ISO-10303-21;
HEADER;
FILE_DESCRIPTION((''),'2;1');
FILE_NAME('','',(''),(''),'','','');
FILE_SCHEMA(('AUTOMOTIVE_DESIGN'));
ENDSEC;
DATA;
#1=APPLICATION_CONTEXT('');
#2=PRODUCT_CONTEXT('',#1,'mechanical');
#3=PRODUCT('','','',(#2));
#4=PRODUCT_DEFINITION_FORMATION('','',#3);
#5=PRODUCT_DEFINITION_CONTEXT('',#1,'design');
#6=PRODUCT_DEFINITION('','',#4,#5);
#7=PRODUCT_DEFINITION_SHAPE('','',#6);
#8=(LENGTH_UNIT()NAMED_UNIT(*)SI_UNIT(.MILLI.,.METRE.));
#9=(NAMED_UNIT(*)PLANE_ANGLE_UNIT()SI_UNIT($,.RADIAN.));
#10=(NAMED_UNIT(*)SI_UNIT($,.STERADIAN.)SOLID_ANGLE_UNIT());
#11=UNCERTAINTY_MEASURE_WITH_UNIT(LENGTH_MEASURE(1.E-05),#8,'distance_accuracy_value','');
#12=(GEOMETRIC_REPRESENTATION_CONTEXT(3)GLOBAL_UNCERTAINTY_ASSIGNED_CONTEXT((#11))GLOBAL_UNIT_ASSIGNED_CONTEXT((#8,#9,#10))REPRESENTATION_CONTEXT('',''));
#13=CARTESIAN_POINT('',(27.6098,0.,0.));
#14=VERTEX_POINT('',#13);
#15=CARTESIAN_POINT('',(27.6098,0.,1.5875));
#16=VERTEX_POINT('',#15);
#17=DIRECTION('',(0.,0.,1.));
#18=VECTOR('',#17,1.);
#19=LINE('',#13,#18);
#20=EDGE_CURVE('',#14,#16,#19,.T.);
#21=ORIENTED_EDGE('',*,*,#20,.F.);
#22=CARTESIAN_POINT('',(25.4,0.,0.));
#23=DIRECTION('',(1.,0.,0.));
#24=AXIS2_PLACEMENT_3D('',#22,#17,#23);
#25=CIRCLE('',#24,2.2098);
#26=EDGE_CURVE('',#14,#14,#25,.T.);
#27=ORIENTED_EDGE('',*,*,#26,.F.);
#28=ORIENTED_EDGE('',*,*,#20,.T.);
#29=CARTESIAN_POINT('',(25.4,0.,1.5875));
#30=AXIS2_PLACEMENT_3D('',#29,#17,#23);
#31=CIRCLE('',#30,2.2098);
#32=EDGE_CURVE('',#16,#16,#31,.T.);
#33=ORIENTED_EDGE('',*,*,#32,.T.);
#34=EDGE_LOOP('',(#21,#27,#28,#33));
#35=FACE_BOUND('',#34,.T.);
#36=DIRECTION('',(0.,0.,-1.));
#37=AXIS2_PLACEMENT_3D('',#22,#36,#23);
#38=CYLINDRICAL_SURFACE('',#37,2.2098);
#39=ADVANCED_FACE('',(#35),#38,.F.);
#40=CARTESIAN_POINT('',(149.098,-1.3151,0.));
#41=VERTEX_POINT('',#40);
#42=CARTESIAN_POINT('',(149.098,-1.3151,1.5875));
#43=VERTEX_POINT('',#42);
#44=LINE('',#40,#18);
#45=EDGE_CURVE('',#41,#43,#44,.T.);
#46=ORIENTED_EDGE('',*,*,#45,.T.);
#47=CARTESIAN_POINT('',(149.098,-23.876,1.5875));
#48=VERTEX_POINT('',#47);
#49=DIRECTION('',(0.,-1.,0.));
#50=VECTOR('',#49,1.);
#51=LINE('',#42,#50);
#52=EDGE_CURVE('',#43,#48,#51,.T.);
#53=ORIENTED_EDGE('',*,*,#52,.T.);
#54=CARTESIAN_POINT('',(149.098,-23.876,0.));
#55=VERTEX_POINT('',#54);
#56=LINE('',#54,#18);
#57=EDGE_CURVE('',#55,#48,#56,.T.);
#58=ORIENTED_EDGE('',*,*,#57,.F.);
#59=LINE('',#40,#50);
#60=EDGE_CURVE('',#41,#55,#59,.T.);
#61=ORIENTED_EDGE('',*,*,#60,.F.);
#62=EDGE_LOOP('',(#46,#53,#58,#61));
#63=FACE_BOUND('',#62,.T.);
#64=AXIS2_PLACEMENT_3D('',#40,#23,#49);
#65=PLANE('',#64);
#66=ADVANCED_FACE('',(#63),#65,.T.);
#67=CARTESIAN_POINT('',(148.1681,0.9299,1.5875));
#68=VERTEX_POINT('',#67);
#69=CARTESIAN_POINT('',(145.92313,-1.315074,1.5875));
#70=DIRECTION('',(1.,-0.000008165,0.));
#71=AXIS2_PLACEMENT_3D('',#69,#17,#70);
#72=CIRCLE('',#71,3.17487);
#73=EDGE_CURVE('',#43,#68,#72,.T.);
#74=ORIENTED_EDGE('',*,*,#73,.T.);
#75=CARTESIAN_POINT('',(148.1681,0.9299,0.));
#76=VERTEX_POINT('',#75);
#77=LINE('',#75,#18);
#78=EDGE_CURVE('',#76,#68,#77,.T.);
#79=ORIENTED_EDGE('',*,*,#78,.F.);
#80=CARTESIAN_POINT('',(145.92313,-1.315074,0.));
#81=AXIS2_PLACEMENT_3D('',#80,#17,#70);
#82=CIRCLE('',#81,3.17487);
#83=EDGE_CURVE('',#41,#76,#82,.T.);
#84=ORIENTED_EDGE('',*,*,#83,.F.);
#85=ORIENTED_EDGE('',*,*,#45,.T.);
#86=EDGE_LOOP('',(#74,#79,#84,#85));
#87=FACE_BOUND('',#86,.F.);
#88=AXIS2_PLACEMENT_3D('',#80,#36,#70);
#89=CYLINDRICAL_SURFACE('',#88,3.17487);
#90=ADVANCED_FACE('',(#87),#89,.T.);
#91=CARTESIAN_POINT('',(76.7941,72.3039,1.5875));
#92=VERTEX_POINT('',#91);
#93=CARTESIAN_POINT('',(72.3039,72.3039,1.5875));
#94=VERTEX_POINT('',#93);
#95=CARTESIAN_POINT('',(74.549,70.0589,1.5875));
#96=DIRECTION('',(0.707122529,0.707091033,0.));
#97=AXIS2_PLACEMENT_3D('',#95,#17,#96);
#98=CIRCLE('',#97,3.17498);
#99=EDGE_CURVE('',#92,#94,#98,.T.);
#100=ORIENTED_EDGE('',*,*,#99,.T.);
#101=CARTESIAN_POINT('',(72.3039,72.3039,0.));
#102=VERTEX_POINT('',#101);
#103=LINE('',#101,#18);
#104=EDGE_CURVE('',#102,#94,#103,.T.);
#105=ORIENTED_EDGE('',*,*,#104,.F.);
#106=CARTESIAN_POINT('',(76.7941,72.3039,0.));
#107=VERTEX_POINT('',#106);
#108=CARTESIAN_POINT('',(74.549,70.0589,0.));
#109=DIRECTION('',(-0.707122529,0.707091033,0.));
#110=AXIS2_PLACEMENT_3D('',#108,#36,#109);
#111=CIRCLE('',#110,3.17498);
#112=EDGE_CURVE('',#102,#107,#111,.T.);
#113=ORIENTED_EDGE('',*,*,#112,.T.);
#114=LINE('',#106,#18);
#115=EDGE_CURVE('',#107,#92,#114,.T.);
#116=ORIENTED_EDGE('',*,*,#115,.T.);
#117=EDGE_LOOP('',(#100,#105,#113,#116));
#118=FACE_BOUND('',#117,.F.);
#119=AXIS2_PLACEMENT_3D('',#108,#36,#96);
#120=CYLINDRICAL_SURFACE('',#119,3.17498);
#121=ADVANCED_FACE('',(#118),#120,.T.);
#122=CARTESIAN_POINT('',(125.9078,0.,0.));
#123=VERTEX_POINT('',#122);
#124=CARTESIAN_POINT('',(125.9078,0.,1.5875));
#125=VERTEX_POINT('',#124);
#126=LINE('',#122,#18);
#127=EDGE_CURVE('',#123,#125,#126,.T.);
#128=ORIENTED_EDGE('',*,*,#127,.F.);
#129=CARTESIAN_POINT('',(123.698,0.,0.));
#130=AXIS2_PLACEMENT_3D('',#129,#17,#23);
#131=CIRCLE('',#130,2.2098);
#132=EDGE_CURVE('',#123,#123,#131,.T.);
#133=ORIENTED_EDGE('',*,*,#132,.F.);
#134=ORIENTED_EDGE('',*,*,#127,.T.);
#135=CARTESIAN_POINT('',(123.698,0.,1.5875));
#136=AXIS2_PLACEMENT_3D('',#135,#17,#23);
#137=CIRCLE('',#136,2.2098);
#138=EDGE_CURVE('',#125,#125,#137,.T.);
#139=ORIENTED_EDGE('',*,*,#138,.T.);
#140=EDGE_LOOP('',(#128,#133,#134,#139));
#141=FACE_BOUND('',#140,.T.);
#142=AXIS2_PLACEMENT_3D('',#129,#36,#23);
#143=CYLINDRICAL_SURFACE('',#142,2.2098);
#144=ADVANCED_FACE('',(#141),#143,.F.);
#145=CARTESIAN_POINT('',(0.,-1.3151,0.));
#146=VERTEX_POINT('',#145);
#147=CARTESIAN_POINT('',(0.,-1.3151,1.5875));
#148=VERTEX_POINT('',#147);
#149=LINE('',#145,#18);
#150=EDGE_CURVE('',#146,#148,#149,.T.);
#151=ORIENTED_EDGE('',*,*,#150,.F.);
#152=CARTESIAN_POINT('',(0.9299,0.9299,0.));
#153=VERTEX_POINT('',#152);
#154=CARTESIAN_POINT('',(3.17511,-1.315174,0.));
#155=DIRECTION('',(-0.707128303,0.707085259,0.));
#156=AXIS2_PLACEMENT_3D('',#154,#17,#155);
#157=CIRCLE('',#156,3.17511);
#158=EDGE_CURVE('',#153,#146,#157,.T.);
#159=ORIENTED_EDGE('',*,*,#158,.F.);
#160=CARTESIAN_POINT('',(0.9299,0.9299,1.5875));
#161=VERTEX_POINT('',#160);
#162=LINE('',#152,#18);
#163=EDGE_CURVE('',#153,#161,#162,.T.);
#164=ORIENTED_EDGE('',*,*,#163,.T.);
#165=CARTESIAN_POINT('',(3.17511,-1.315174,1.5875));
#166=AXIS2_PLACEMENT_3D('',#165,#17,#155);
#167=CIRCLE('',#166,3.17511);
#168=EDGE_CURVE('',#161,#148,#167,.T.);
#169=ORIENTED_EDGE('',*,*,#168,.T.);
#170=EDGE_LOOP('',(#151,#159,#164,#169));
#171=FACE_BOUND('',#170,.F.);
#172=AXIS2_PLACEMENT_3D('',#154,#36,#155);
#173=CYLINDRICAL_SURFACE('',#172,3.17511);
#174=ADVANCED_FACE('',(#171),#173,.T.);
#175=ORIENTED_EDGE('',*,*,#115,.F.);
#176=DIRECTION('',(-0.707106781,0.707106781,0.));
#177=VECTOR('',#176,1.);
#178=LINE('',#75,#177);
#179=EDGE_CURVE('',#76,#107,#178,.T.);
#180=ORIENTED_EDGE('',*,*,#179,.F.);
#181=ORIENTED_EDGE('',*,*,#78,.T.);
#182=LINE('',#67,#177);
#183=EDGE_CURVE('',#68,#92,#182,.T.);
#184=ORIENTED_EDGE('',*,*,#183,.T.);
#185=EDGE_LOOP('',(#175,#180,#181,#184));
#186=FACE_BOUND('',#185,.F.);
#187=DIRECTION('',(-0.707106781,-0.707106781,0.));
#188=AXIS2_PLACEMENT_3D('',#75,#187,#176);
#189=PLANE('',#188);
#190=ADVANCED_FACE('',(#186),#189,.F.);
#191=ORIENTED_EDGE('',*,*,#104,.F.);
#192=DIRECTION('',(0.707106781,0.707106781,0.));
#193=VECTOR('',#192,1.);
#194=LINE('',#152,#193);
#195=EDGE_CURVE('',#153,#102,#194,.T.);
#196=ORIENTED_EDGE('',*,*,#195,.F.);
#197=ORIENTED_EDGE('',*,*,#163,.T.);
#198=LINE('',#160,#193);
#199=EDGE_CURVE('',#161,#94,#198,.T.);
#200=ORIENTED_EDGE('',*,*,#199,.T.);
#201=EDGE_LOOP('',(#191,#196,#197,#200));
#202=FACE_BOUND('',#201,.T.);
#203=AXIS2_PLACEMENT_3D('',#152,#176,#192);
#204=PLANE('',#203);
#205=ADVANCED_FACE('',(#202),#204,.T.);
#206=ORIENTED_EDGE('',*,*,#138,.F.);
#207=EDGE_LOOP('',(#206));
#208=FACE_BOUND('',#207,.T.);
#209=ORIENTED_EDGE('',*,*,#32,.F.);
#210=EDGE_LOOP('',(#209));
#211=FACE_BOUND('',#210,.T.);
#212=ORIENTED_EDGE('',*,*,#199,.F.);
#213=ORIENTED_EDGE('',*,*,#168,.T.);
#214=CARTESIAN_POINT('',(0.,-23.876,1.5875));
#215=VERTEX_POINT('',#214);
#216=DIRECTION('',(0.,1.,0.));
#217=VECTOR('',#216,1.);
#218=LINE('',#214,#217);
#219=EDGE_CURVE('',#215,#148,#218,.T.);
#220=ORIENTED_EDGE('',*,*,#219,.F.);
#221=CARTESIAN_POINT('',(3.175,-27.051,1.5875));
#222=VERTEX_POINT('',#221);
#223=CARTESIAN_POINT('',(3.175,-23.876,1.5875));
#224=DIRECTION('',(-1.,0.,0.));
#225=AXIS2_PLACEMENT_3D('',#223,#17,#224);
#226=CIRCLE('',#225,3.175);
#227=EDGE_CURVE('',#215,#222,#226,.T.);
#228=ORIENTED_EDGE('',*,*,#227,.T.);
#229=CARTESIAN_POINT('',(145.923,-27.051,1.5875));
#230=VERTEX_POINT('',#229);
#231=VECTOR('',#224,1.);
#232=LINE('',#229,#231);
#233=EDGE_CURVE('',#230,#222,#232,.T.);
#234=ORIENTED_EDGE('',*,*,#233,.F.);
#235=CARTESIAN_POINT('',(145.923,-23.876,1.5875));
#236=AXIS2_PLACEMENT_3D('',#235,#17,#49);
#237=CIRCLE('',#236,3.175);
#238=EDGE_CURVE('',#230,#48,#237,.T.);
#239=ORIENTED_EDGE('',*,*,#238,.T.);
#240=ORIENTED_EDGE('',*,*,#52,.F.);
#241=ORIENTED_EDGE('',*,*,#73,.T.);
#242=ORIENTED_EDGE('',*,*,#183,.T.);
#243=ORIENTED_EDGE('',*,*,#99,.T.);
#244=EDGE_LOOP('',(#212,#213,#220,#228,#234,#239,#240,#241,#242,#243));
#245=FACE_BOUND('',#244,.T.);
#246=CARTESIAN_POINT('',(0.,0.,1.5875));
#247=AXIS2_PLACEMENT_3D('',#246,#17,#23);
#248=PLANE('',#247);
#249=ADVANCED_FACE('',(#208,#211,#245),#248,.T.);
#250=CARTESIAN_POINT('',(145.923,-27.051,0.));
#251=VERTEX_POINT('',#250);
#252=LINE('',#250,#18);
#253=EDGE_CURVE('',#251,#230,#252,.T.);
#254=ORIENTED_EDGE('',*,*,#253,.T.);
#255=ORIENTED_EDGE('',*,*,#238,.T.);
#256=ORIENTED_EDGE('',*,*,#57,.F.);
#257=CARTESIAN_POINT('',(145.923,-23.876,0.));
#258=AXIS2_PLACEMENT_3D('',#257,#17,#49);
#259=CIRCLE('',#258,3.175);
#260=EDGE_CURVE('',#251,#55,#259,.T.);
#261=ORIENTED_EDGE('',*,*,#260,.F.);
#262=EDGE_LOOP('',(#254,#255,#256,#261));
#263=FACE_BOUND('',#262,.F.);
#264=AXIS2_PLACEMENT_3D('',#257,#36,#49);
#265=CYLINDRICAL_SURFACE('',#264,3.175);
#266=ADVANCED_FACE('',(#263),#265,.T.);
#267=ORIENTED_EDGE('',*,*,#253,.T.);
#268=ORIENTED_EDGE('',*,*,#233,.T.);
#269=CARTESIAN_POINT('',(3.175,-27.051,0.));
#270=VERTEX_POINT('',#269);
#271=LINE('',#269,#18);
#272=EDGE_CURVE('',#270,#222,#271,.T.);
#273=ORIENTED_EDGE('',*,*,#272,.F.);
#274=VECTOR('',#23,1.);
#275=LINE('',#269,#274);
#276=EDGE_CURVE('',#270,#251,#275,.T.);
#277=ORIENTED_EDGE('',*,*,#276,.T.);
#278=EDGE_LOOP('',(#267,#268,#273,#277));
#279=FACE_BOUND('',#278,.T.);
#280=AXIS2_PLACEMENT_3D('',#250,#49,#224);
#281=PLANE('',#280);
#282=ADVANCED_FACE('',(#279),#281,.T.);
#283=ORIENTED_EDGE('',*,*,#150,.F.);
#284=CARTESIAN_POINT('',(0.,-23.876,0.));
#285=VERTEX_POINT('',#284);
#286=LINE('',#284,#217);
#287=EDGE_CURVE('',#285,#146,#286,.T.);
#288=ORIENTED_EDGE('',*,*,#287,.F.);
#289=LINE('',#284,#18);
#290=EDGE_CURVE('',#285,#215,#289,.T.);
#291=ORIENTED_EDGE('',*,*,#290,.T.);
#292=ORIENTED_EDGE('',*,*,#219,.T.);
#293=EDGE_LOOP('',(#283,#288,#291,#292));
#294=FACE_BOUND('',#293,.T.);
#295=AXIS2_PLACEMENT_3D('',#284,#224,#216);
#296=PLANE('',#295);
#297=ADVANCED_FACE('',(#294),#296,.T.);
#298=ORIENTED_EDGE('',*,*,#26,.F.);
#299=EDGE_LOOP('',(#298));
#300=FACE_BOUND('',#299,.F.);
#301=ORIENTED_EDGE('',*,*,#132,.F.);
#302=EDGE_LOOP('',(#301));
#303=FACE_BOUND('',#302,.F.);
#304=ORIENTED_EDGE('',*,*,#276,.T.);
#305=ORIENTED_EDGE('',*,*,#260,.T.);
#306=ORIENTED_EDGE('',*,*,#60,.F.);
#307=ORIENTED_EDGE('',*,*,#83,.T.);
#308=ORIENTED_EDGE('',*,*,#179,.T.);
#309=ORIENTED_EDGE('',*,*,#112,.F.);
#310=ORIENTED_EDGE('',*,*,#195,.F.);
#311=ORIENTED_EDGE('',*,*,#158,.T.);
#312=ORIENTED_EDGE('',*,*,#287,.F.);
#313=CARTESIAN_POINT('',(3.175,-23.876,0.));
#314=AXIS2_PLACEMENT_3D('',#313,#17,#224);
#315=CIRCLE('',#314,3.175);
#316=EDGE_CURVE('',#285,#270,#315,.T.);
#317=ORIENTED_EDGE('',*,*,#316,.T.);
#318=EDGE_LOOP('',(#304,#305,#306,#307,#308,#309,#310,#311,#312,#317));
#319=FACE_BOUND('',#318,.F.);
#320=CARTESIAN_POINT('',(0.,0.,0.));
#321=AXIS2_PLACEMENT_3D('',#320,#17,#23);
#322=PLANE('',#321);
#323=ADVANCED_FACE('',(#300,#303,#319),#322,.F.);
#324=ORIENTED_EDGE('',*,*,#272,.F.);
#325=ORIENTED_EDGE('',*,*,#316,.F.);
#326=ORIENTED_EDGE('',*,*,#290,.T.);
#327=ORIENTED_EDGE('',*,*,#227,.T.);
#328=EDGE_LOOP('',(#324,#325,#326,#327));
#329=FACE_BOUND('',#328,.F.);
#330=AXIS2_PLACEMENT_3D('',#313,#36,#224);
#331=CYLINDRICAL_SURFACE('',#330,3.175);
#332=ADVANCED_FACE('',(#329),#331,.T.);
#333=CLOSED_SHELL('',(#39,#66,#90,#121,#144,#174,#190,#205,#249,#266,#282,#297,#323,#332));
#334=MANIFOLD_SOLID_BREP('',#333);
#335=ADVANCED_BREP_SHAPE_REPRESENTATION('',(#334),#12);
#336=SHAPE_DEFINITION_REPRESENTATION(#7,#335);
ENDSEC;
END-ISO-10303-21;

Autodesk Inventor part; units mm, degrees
ref_plane "YZ Plane" through (0, 0, 0) normal (1, 0, 0) x (0, 1, 0)
ref_plane "XZ Plane" through (0, 0, 0) normal (0, 1, 0) x (-1, 0, 0)
ref_plane "XY Plane" through (0, 0, 0) normal (0, 0, 1) x (1, 0, 0)
sketch "Sketch1" plane through (0, 0, 0) normal (0, 0, 1) x (1, 0, 0)
  arc A0 (145.923, -27.051) -> (149.098, -23.876) centre (145.923, -23.876) ccw
  line L0 (149.098, -1.3151) -> (149.098, -23.876)
  line L1 (0, -23.876) -> (0, -1.3151)
  line L2 (148.1681, 0.9299) -> (76.7941, 72.3039)
  line L3 (0.9299, 0.9299) -> (72.3039, 72.3039)
  circle A1 centre (25.4, 0) radius 2.2098
  circle A2 centre (123.698, 0) radius 2.2098
  arc A3 (0, -23.876) -> (3.175, -27.051) centre (3.175, -23.876) ccw
  arc A4 (76.7941, 72.3039) -> (72.3039, 72.3039) centre (74.549, 70.0589) ccw
  arc A5 (0.9299, 0.9299) -> (0, -1.3151) centre (3.175, -1.3151) ccw
  arc A6 (149.098, -1.3151) -> (148.1681, 0.9299) centre (145.923, -1.3151) ccw
  line L4 (74.549, 73.2339) -> (74.549, -27.051)
  line L5 (145.923, -27.051) -> (3.175, -27.051)
  point P0 (0, 0)
  point P1 (76.7941, 72.3039)
  point P2 (0, -1.3151)
  point P3 (74.549, 23.0914)
  point P4 (3.175, -27.051)
extrude "Extrusion1" add sketch "Sketch1" along normal blind 1.5875
properties part number "alignernew"
